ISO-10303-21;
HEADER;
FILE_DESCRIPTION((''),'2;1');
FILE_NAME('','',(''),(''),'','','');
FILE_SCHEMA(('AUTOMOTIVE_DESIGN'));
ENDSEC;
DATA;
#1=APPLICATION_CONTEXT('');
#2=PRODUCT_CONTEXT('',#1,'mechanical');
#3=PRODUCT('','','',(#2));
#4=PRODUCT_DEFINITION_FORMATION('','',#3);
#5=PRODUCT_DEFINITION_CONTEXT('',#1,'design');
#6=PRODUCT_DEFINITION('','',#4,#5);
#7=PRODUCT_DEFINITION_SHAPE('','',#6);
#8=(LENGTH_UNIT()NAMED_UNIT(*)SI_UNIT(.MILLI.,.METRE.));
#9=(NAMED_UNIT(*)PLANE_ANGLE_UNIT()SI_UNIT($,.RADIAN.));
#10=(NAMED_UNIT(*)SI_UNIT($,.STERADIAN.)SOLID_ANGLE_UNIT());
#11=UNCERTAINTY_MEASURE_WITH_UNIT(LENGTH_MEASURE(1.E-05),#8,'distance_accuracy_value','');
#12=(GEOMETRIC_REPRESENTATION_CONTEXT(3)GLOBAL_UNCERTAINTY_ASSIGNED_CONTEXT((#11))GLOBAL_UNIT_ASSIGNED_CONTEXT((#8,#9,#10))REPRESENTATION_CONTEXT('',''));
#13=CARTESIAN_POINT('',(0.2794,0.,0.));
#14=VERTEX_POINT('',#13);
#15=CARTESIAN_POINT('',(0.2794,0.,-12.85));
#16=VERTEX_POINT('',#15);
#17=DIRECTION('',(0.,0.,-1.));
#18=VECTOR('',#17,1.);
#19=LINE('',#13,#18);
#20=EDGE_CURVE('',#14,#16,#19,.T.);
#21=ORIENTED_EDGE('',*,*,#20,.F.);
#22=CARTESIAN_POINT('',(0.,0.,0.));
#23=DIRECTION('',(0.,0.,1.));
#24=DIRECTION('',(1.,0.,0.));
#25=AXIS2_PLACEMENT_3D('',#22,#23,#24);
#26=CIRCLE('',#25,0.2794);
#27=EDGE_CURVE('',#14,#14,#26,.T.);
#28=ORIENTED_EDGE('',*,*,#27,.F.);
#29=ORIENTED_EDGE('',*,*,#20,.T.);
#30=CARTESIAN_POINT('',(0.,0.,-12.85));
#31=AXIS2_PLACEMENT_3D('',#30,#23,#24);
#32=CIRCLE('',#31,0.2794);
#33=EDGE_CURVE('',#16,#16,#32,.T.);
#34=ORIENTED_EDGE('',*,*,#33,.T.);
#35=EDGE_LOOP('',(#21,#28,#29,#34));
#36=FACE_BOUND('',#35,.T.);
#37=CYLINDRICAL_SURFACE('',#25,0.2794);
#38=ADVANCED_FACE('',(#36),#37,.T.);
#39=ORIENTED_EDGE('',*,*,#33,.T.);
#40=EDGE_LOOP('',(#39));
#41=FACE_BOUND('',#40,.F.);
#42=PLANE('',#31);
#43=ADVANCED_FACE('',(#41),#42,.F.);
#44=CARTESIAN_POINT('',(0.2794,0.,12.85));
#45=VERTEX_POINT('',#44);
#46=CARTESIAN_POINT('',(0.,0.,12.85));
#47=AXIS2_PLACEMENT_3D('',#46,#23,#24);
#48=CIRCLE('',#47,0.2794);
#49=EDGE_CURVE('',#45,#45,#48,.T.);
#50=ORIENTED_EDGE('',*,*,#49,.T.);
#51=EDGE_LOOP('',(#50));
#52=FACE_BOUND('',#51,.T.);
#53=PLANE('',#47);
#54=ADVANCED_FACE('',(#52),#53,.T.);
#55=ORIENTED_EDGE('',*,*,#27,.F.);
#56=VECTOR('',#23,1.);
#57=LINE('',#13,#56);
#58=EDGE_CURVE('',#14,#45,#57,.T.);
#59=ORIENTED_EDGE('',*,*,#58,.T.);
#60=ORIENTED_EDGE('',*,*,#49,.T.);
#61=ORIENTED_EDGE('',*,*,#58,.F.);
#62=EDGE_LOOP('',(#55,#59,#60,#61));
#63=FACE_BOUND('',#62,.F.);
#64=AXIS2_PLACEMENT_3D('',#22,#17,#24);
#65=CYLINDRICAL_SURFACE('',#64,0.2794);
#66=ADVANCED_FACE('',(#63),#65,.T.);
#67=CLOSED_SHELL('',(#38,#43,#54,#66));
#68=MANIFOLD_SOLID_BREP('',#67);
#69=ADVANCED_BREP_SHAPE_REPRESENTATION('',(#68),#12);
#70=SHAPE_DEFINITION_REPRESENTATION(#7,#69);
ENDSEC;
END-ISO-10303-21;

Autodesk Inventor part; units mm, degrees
ref_plane "YZ Plane" through (0, 0, 0) normal (1, 0, 0) x (0, 1, 0)
ref_plane "XZ Plane" through (0, 0, 0) normal (0, 1, 0) x (-1, 0, 0)
ref_plane "XY Plane" through (0, 0, 0) normal (0, 0, 1) x (1, 0, 0)
sketch "Sketch1" plane through (0, 0, 0) normal (0, 0, 1) x (1, 0, 0)
  circle A0 centre (0, 0) radius 0.2794
  dimension "d0" = 0.5588
extrude "Extrusion1" add sketch "Sketch1" along normal mid plane 25.7
properties part number "-ZPanel_SpringDeployed" material "Titanium"
